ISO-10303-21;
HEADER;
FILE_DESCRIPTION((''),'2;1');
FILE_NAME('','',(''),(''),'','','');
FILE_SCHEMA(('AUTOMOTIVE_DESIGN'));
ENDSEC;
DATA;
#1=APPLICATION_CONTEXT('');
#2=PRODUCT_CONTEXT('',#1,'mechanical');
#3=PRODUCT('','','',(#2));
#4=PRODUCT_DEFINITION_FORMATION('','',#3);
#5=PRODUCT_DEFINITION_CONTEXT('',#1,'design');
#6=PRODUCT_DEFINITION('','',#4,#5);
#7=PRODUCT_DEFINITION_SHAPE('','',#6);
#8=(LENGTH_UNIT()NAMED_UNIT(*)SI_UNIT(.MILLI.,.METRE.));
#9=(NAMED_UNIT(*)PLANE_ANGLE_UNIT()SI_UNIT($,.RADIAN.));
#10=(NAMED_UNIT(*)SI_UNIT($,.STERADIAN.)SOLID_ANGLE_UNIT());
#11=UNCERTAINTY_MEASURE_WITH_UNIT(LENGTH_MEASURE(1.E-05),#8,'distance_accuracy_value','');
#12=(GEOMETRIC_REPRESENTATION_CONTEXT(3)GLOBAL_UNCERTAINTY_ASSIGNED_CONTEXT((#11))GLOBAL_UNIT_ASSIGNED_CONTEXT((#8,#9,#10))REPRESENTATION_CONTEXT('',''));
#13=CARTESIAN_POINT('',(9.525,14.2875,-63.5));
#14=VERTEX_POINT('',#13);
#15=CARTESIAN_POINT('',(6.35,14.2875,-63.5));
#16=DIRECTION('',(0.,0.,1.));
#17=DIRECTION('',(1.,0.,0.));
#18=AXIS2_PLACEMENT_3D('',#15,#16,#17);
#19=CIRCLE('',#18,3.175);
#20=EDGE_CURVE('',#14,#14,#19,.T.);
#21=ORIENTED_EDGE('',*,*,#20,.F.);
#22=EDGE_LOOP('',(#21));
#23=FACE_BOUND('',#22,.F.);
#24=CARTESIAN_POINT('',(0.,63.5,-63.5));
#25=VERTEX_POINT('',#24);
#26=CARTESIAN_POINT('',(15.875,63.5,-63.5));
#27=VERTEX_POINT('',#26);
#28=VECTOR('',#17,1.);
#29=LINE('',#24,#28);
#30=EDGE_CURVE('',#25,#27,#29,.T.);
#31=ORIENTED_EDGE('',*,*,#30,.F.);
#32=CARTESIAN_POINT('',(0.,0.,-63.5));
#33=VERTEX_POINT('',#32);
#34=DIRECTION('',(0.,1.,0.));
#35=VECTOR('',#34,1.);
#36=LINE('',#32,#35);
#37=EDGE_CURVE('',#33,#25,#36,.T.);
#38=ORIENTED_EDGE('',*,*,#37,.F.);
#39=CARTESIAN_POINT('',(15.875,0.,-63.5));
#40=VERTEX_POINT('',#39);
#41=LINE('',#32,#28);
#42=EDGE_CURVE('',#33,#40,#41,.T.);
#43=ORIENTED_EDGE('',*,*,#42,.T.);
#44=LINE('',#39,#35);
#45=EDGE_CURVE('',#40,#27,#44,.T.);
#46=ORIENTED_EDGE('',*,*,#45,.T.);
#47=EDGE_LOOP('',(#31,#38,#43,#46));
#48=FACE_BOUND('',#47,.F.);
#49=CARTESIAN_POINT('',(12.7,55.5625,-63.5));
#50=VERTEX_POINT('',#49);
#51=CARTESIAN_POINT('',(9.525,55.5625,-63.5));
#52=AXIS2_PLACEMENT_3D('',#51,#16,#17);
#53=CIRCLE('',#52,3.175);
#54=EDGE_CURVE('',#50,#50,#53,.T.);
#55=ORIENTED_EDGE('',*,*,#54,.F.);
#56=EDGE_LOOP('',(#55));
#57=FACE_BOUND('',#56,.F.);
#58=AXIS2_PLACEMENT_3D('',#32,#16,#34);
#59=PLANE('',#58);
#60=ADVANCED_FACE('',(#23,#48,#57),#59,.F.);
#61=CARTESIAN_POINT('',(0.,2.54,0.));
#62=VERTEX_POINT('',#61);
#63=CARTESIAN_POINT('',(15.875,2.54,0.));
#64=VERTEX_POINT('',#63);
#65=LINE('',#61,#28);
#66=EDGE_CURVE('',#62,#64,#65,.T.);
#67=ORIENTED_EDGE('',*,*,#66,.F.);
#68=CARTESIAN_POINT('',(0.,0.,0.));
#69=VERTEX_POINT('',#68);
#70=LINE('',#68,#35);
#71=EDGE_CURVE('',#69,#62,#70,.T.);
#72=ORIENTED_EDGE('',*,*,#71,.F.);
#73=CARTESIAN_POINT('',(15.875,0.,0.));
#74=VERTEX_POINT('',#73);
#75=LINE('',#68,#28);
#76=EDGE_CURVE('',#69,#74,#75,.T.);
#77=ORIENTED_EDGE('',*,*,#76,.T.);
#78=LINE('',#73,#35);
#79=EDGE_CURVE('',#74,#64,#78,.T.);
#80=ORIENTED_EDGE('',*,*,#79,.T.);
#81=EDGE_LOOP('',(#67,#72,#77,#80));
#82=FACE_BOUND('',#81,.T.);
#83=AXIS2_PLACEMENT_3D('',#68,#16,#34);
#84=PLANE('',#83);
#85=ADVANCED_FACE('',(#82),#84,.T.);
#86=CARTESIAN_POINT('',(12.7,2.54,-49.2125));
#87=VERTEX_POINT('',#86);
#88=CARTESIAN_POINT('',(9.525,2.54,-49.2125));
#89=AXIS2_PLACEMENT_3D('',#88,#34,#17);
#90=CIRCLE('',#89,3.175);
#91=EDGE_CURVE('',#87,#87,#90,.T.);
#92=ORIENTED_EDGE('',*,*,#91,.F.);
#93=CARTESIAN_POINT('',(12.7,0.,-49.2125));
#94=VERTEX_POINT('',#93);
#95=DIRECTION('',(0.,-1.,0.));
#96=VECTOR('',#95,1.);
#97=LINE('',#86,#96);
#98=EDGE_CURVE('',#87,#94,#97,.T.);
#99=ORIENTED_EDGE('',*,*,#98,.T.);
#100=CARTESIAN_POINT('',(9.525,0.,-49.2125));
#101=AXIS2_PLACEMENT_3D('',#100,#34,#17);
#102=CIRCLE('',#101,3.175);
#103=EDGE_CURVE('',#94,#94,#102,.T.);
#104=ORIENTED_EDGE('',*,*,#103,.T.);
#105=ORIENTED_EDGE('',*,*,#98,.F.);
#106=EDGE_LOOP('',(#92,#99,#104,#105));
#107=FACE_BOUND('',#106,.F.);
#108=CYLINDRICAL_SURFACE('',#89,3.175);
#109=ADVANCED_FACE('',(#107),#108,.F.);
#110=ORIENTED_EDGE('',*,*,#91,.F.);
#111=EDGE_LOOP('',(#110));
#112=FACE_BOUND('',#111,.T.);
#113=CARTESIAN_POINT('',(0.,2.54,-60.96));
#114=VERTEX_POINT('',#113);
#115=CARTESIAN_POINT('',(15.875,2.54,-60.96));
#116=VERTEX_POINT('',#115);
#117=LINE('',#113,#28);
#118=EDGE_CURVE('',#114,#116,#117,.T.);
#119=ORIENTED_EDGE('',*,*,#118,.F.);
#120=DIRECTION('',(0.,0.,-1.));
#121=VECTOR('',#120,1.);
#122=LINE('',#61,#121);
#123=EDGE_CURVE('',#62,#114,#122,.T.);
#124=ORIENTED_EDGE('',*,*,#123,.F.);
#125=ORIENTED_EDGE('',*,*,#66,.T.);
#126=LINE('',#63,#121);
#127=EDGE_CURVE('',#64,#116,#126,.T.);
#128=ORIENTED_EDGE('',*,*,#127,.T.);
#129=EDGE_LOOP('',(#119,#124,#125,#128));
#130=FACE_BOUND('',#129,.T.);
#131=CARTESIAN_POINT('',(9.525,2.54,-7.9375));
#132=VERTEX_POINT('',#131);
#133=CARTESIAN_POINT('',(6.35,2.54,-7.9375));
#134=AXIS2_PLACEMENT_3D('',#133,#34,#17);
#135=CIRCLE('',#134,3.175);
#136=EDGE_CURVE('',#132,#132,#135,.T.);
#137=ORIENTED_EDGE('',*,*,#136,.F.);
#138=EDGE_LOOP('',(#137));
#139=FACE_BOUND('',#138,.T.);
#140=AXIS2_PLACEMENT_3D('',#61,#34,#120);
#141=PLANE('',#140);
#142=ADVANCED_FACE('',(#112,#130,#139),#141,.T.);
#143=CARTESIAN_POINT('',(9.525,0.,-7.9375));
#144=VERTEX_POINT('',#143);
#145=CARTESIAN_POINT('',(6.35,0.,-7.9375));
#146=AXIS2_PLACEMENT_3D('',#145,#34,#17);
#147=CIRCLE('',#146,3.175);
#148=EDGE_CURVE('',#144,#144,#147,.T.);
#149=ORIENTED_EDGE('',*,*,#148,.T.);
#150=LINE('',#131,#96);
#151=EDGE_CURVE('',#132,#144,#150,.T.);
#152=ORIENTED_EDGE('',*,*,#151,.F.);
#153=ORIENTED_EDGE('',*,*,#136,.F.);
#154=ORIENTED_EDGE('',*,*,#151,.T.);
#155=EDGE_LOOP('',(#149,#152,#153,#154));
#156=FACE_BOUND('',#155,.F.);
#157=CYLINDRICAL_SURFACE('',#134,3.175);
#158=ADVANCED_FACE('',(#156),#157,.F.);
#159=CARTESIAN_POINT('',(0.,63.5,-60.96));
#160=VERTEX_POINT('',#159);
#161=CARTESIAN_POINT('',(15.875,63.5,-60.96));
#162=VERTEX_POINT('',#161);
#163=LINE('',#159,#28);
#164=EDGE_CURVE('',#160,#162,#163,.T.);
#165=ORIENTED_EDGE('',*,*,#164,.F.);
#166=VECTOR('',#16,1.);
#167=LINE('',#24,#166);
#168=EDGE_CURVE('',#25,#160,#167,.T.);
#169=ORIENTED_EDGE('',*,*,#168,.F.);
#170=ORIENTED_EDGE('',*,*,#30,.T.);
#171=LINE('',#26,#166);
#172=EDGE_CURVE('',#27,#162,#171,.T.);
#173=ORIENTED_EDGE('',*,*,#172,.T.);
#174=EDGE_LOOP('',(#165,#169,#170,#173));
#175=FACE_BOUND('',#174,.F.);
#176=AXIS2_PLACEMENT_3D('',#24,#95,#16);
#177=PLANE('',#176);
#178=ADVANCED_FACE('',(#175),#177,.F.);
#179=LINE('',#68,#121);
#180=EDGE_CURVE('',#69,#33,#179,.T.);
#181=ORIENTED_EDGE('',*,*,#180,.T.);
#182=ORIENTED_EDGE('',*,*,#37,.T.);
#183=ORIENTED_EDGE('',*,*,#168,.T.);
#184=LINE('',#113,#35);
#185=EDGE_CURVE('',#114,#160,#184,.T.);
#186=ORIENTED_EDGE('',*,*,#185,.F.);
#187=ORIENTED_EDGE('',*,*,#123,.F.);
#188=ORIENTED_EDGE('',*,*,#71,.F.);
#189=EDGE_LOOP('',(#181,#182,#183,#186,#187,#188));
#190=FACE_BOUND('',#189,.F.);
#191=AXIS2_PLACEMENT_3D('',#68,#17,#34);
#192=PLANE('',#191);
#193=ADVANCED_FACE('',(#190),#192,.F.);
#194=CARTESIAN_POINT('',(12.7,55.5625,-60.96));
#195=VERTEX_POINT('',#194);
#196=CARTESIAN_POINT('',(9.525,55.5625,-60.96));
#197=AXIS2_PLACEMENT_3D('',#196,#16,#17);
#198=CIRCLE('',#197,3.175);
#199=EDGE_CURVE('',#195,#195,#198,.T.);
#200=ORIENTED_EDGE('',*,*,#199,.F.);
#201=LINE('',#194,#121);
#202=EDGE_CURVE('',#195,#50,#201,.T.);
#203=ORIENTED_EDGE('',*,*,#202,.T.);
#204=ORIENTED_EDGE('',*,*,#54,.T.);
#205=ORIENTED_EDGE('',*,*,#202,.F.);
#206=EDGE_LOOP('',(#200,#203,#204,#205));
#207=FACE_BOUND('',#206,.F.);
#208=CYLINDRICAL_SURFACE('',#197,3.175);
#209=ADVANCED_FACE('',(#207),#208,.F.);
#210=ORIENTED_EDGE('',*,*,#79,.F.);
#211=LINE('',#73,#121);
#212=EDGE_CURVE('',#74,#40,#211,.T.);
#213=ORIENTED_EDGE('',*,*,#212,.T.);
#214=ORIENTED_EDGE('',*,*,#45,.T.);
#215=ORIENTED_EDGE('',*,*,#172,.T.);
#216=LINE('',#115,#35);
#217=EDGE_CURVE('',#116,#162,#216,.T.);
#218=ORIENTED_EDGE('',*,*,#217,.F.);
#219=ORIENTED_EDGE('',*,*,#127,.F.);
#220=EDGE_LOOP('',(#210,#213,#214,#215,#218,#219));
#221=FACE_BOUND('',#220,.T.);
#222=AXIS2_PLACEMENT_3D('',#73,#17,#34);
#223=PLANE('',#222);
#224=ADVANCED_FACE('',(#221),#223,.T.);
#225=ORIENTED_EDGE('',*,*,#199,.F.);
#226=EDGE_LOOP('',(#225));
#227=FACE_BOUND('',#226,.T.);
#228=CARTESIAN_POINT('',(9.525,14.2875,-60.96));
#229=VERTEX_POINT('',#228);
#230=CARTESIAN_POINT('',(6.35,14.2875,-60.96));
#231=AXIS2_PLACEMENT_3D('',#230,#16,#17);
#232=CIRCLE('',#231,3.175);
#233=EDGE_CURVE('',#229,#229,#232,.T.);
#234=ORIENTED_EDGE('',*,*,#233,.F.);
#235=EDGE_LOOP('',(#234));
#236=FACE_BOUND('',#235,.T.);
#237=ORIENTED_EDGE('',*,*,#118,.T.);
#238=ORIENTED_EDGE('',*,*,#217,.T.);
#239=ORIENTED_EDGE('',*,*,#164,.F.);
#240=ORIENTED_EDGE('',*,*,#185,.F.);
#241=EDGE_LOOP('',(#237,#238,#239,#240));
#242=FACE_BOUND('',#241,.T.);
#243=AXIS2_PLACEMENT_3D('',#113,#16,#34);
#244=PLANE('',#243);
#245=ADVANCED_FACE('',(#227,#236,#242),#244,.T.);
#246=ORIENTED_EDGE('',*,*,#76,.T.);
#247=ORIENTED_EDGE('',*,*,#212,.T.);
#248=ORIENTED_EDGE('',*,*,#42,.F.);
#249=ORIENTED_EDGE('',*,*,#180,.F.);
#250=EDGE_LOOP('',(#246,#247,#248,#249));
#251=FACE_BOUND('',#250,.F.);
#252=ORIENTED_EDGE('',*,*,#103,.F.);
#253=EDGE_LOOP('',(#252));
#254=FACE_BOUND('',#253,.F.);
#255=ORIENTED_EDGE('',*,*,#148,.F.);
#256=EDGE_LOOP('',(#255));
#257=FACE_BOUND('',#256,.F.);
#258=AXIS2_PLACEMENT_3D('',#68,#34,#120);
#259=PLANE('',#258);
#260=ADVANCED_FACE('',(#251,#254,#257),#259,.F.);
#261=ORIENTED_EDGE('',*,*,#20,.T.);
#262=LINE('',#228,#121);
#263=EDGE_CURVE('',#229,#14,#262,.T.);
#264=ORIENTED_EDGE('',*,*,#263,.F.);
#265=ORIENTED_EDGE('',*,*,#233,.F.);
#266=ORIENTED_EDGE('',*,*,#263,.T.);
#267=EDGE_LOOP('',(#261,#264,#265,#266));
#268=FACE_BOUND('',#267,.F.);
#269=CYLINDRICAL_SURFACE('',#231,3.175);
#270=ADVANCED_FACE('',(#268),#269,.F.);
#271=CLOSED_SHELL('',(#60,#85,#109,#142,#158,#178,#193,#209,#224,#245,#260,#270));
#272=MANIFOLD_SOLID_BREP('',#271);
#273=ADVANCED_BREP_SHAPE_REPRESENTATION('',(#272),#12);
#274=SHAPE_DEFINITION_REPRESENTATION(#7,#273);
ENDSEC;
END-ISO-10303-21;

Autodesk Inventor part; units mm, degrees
ref_plane "YZ Plane" through (0, 0, 0) normal (1, 0, 0) x (0, 1, 0)
ref_plane "XZ Plane" through (0, 0, 0) normal (0, 1, 0) x (-1, 0, 0)
ref_plane "XY Plane" through (0, 0, 0) normal (0, 0, 1) x (1, 0, 0)
sketch "Sketch1" plane through (0, 0, 0) normal (1, 0, 0) x (0, 1, 0)
  line L0 (0, 0) -> (0, -63.5)
  line L1 (0, -63.5) -> (63.5, -63.5)
  line L2 (63.5, -63.5) -> (63.5, -60.96)
  line L3 (0, 0) -> (2.54, 0)
  line L4 (2.54, 0) -> (2.54, -60.96)
  line L5 (2.54, -60.96) -> (63.5, -60.96)
  dimension "d0" = 63.5
  dimension "d1" = 63.5
  dimension "d2" = 2.54
  dimension "d3" = 2.54
extrude "Extrusion1" add sketch "Sketch1" along normal blind 15.875
sketch "Sketch2" plane through (0, 2.54, 0) normal (0, 1, 0) x (1, 0, 0)
  circle A0 centre (6.35, 7.9375) radius 3.175
  circle A1 centre (9.525, 49.2125) radius 3.175
  point P0 (0, 0)
  dimension "d6" = 6.35
  dimension "d7" = 6.35
extrude "Extrusion2" cut sketch "Sketch2" against normal through all contours A1
extrude "Extrusion3" cut sketch "Sketch2" against normal through all contours A0
sketch "Sketch3" plane through (0, 2.54, -60.96) normal (0, 0, 1) x (1, 0, 0)
  line L0 (15.875, 60.96) -> (15.875, 53.0225)
  line L1 (15.875, 53.0225) -> (9.525, 53.0225)
  line L2 (15.875, 53.0225) -> (15.875, 11.7475)
  line L3 (15.875, 11.7475) -> (6.35, 11.7475)
  circle A0 centre (6.35, 11.7475) radius 3.175
  circle A1 centre (9.525, 53.0225) radius 3.175
  point P0 (0, -2.54)
  dimension "d12" = 6.35
  dimension "d13" = 6.35
  dimension "d14" = 6.35
  dimension "d15" = 7.9375
  dimension "d16" = 41.275
  dimension "d17" = 9.525
extrude "Extrusion4" cut sketch "Sketch3" against normal through all contours A0
extrude "Extrusion5" cut sketch "Sketch3" against normal through all contours A1
properties part number "Plywood Pickle Mount Corner Bracket"
